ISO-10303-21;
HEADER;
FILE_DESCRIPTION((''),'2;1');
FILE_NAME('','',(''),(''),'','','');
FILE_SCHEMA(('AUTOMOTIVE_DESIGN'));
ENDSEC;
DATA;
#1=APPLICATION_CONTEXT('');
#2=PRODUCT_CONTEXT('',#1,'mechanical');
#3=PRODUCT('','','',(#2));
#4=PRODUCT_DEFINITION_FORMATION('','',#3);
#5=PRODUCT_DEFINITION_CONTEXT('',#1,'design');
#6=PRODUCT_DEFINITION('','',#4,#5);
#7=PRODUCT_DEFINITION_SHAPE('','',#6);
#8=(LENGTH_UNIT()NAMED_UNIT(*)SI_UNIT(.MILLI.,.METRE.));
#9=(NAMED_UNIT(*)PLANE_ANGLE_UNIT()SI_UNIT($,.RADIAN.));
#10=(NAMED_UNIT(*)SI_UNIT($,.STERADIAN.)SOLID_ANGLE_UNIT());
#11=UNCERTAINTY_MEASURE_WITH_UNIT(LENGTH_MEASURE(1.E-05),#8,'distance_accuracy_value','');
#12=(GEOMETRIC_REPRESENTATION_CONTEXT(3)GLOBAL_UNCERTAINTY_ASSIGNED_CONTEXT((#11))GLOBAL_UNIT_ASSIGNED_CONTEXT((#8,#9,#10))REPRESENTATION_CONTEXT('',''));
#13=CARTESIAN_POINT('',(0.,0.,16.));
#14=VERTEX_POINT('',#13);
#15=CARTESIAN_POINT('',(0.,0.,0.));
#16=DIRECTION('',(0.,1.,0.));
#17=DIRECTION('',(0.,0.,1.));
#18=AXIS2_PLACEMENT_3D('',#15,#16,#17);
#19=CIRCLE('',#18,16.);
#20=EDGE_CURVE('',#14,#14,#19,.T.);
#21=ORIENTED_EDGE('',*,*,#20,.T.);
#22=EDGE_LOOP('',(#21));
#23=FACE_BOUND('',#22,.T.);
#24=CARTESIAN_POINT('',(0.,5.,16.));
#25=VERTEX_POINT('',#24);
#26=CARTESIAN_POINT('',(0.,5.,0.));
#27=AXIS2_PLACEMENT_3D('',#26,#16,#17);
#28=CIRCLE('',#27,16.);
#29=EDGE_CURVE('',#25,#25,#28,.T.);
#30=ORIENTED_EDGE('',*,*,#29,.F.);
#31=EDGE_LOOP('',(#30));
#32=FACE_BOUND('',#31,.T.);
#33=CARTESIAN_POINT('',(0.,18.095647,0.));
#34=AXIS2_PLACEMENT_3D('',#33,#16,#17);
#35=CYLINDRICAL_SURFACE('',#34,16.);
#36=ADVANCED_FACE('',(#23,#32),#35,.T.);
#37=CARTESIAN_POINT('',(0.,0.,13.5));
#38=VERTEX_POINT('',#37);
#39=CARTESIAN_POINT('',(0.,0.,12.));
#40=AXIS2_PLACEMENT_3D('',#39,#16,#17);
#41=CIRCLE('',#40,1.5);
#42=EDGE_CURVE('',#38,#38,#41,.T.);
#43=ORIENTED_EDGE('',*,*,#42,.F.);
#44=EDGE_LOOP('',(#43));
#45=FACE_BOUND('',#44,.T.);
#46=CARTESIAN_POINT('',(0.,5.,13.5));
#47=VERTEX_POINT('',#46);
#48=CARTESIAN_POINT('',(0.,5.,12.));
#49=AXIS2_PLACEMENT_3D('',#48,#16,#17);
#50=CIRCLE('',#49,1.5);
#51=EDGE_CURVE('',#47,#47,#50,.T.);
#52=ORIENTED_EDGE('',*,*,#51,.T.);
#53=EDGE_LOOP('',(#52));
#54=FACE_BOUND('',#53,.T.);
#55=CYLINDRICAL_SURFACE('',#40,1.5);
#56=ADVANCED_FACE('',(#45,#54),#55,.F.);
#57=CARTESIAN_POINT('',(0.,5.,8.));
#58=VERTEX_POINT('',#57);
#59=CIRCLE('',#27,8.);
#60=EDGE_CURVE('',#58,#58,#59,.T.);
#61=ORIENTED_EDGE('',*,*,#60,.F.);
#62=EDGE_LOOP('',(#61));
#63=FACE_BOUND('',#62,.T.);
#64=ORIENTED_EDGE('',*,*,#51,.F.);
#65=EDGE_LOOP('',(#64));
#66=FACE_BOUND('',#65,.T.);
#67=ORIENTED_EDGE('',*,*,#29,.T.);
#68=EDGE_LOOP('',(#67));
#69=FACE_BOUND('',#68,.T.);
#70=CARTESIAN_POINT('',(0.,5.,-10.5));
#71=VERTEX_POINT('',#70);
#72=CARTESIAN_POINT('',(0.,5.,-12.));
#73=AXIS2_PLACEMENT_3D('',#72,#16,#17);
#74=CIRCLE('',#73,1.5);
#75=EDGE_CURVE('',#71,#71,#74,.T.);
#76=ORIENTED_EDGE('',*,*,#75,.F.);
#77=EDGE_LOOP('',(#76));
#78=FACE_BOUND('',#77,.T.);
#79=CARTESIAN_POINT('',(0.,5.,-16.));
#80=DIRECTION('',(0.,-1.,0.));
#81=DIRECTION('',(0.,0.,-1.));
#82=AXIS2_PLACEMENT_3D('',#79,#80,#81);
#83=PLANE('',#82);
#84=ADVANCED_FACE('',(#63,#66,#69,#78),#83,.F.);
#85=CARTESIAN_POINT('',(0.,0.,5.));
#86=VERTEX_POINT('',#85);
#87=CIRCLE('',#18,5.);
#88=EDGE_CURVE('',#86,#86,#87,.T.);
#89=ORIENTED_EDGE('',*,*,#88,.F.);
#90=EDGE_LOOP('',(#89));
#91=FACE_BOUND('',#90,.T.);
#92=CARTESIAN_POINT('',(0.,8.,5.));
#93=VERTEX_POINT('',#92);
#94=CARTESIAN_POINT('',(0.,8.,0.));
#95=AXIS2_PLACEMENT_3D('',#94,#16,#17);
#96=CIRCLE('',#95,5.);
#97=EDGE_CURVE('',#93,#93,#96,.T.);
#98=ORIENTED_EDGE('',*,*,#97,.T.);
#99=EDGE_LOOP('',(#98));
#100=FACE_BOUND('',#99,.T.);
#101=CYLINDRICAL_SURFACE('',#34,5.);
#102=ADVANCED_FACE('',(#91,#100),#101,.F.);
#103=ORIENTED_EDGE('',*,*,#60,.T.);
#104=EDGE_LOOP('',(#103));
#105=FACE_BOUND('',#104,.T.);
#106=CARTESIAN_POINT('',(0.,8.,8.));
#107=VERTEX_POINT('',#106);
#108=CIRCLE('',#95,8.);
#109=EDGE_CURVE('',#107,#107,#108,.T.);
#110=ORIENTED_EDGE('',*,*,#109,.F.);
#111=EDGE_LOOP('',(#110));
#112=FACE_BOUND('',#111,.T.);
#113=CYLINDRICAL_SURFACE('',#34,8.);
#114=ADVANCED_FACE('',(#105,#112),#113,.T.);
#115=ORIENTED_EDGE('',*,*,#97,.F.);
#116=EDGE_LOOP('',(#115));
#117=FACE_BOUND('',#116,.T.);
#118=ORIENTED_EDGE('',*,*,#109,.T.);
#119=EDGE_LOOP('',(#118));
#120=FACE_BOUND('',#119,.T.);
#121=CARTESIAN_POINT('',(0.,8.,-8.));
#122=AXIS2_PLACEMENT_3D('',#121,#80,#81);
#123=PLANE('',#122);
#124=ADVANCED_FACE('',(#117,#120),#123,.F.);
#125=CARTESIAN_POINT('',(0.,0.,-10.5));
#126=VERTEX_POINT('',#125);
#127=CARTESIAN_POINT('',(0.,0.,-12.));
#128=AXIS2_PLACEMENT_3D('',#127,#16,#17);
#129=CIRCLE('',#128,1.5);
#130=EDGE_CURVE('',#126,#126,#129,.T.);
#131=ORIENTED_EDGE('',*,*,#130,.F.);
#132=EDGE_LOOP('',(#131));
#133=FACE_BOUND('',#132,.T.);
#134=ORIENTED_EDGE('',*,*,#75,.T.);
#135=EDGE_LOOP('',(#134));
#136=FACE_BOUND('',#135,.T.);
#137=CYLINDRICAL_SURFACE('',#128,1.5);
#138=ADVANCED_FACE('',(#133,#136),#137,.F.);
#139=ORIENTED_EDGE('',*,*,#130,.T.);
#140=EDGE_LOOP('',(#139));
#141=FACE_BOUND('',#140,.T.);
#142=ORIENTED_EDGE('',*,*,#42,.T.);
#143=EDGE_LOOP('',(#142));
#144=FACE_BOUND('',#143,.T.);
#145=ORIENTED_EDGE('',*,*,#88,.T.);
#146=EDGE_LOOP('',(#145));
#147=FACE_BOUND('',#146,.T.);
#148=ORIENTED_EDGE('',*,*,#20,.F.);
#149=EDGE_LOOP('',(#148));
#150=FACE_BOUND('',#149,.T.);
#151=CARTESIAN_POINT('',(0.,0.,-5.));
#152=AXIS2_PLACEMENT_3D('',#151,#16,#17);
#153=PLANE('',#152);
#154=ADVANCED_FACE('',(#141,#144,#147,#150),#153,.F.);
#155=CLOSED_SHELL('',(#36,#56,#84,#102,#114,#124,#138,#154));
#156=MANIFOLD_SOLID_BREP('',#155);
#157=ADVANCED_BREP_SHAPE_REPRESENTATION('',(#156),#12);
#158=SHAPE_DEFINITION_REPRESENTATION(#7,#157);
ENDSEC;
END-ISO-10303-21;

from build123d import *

# Parameters (mm, degrees)
SKETCH_3_R          = 1.5
CUT_EXTRUDE_4_DEPTH = 24.173260453
SKETCH_3_4_R        = 1.5
CUT_EXTRUDE_5_DEPTH = 24.173260453


with BuildPart() as part:
    # Эскиз2 → Повернуть1 (revolve)
    with BuildSketch(Plane(origin=(0, 0, 0), x_dir=(0, 0, -1), z_dir=(1, 0, 0))):
        Polygon((5, 0), (16, 0), (16, 5), (8, 5), (8, 8), (5, 8), align=None)
    revolve(axis=Axis((0, 18.095647444, 0), (0, -1, 0)))

    # Эскиз3 → Вырез-Вытянуть4 (cut, through all)
    with BuildSketch(Plane(origin=(0, 5, 0), x_dir=(1, 0, 0), z_dir=(0, 1, 0))):
        with Locations((0, 12)):
            Circle(SKETCH_3_R)
    extrude(amount=-CUT_EXTRUDE_4_DEPTH, mode=Mode.SUBTRACT)

    # Эскиз3<4> → Вырез-Вытянуть5 (cut, through all)
    with BuildSketch(Plane(origin=(0, 5, 0), x_dir=(1, 0, 0), z_dir=(0, 1, 0))):
        with Locations((0, -12)):
            Circle(SKETCH_3_4_R)
    extrude(amount=-CUT_EXTRUDE_5_DEPTH, mode=Mode.SUBTRACT)


solid = part.part
